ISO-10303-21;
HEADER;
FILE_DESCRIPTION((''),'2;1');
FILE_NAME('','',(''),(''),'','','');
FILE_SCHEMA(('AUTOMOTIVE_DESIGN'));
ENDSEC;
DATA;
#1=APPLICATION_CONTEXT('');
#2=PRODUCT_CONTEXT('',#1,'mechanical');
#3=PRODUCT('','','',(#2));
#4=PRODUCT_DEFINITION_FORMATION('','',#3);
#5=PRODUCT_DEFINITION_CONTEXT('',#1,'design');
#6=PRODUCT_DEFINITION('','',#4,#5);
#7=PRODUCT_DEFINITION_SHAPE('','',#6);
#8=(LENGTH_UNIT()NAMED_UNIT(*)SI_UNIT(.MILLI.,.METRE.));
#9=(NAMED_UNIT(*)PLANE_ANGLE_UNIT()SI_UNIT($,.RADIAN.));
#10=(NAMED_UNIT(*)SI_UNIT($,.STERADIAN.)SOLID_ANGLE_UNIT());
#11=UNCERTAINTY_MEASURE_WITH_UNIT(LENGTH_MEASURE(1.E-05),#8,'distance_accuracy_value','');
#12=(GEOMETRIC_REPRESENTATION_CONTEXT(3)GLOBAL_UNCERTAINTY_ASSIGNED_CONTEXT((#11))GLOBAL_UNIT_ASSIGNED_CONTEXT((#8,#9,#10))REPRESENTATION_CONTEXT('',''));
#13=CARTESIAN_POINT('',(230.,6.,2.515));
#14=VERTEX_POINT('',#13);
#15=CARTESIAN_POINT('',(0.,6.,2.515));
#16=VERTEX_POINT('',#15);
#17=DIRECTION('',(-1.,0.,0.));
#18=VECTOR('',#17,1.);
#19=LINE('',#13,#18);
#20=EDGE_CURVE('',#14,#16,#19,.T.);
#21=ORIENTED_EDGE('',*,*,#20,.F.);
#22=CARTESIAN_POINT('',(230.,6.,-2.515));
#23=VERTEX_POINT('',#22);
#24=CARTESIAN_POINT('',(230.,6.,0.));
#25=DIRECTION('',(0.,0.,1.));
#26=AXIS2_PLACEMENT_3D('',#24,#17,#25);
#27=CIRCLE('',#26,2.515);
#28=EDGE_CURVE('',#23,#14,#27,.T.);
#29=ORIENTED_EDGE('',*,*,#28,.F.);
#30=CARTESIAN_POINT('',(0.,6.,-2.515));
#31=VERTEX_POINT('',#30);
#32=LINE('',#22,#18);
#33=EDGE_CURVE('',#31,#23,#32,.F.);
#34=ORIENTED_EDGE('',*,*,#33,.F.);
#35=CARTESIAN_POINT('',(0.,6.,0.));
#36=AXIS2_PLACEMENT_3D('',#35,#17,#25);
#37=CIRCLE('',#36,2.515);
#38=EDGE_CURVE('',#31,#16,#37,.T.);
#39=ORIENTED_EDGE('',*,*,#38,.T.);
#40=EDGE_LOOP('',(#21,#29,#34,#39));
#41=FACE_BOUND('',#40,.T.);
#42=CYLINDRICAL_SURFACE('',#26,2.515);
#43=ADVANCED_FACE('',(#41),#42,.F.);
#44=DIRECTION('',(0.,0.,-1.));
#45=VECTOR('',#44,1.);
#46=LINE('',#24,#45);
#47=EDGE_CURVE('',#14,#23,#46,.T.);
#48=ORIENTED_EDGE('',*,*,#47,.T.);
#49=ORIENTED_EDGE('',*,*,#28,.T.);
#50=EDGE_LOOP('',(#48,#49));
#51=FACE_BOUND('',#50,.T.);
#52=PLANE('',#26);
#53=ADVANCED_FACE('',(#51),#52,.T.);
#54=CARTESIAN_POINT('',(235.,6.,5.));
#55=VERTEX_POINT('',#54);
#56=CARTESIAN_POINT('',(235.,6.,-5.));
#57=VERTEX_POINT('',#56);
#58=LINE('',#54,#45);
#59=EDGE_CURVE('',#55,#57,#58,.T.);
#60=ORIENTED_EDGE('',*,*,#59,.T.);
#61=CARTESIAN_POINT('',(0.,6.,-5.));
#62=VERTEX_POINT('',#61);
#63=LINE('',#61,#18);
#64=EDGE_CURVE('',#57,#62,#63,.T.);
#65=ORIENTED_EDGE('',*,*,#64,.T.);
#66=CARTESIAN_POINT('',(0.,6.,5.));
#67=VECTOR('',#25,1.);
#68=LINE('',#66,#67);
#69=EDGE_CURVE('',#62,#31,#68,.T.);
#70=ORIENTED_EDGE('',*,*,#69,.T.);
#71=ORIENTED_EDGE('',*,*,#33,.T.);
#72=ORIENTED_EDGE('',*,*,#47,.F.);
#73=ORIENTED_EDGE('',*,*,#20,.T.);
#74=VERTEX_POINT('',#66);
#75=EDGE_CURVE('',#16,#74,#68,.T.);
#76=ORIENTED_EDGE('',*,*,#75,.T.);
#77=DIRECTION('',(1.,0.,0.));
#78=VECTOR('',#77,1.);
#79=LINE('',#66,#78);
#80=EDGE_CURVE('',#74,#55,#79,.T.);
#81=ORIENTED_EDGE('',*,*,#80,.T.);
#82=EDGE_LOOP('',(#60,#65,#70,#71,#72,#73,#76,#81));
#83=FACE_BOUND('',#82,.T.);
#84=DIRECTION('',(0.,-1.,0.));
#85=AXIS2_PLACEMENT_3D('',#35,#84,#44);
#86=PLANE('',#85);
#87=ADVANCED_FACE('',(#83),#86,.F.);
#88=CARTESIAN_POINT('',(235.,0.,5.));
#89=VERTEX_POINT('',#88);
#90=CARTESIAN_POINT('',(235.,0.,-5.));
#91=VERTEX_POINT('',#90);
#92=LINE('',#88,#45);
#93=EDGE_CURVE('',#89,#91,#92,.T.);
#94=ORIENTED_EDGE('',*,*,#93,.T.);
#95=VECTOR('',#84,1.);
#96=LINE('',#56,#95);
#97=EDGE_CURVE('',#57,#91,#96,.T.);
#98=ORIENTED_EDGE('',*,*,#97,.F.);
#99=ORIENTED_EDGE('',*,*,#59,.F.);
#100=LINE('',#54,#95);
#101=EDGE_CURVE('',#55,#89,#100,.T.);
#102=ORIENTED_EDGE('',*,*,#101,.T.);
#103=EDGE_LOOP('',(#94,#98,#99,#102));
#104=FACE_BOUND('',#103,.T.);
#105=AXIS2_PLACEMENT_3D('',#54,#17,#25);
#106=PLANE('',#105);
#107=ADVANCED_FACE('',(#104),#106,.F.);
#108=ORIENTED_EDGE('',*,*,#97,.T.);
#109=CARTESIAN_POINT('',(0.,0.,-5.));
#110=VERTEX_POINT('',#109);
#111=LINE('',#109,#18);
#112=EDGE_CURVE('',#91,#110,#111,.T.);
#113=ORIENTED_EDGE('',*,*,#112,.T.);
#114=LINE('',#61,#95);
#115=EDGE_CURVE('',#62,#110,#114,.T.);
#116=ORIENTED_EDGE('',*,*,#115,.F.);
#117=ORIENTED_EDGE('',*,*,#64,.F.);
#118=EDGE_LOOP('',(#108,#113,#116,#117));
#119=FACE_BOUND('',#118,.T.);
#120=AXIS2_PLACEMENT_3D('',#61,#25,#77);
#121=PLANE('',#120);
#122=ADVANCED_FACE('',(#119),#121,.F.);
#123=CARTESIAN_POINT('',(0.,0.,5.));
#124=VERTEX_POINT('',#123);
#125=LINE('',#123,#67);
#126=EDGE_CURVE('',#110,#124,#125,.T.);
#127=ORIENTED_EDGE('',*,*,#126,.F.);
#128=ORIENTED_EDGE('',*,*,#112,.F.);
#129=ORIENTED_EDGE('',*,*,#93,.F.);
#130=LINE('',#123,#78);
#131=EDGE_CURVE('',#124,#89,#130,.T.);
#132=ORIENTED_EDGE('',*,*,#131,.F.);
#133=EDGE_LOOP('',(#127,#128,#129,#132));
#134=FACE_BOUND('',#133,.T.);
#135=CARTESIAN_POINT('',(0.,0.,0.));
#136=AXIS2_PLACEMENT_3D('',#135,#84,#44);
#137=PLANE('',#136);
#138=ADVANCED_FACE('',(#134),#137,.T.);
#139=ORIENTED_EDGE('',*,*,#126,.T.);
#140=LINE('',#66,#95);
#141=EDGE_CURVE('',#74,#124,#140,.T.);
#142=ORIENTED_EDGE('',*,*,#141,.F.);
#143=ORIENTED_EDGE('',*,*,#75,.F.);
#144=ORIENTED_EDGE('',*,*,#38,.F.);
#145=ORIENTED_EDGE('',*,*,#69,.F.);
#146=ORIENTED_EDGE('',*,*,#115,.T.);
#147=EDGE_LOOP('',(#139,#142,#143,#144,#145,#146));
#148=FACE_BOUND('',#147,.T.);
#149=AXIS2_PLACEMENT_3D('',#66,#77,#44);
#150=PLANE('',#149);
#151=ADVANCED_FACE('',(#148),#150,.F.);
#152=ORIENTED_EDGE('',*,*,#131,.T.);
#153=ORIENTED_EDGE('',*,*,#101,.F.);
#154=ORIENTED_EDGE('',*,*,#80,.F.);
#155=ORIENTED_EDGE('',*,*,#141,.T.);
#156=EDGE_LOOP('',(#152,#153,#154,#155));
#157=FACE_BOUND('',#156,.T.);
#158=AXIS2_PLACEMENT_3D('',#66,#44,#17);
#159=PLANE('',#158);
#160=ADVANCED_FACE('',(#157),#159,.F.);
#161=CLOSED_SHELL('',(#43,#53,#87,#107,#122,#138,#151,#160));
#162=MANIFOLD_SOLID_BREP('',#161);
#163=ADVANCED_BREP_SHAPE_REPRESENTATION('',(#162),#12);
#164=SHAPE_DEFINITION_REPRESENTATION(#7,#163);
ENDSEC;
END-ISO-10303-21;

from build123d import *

# Parameters (mm, degrees)
SKETCH_1_W          = 235
SKETCH_1_H          = 10
EXTRUDE_1_DEPTH     = 6
SKETCH_4_R          = 2.515
CUT_EXTRUDE_1_DEPTH = 230


with BuildPart() as part:
    # 草图1 → 凸台-拉伸1 (new body)
    with BuildSketch(Plane(origin=(0, 0, 0), x_dir=(1, 0, 0), z_dir=(0, 1, 0))):
        with Locations((117.5, 0)):
            Rectangle(SKETCH_1_W, SKETCH_1_H)
    extrude(amount=EXTRUDE_1_DEPTH)

    # 草图4 → 切除-拉伸1 (cut)
    with BuildSketch(Plane.ZY):
        with Locations((0, 6)):
            Circle(SKETCH_4_R)
    extrude(amount=-CUT_EXTRUDE_1_DEPTH, mode=Mode.SUBTRACT)


solid = part.part
